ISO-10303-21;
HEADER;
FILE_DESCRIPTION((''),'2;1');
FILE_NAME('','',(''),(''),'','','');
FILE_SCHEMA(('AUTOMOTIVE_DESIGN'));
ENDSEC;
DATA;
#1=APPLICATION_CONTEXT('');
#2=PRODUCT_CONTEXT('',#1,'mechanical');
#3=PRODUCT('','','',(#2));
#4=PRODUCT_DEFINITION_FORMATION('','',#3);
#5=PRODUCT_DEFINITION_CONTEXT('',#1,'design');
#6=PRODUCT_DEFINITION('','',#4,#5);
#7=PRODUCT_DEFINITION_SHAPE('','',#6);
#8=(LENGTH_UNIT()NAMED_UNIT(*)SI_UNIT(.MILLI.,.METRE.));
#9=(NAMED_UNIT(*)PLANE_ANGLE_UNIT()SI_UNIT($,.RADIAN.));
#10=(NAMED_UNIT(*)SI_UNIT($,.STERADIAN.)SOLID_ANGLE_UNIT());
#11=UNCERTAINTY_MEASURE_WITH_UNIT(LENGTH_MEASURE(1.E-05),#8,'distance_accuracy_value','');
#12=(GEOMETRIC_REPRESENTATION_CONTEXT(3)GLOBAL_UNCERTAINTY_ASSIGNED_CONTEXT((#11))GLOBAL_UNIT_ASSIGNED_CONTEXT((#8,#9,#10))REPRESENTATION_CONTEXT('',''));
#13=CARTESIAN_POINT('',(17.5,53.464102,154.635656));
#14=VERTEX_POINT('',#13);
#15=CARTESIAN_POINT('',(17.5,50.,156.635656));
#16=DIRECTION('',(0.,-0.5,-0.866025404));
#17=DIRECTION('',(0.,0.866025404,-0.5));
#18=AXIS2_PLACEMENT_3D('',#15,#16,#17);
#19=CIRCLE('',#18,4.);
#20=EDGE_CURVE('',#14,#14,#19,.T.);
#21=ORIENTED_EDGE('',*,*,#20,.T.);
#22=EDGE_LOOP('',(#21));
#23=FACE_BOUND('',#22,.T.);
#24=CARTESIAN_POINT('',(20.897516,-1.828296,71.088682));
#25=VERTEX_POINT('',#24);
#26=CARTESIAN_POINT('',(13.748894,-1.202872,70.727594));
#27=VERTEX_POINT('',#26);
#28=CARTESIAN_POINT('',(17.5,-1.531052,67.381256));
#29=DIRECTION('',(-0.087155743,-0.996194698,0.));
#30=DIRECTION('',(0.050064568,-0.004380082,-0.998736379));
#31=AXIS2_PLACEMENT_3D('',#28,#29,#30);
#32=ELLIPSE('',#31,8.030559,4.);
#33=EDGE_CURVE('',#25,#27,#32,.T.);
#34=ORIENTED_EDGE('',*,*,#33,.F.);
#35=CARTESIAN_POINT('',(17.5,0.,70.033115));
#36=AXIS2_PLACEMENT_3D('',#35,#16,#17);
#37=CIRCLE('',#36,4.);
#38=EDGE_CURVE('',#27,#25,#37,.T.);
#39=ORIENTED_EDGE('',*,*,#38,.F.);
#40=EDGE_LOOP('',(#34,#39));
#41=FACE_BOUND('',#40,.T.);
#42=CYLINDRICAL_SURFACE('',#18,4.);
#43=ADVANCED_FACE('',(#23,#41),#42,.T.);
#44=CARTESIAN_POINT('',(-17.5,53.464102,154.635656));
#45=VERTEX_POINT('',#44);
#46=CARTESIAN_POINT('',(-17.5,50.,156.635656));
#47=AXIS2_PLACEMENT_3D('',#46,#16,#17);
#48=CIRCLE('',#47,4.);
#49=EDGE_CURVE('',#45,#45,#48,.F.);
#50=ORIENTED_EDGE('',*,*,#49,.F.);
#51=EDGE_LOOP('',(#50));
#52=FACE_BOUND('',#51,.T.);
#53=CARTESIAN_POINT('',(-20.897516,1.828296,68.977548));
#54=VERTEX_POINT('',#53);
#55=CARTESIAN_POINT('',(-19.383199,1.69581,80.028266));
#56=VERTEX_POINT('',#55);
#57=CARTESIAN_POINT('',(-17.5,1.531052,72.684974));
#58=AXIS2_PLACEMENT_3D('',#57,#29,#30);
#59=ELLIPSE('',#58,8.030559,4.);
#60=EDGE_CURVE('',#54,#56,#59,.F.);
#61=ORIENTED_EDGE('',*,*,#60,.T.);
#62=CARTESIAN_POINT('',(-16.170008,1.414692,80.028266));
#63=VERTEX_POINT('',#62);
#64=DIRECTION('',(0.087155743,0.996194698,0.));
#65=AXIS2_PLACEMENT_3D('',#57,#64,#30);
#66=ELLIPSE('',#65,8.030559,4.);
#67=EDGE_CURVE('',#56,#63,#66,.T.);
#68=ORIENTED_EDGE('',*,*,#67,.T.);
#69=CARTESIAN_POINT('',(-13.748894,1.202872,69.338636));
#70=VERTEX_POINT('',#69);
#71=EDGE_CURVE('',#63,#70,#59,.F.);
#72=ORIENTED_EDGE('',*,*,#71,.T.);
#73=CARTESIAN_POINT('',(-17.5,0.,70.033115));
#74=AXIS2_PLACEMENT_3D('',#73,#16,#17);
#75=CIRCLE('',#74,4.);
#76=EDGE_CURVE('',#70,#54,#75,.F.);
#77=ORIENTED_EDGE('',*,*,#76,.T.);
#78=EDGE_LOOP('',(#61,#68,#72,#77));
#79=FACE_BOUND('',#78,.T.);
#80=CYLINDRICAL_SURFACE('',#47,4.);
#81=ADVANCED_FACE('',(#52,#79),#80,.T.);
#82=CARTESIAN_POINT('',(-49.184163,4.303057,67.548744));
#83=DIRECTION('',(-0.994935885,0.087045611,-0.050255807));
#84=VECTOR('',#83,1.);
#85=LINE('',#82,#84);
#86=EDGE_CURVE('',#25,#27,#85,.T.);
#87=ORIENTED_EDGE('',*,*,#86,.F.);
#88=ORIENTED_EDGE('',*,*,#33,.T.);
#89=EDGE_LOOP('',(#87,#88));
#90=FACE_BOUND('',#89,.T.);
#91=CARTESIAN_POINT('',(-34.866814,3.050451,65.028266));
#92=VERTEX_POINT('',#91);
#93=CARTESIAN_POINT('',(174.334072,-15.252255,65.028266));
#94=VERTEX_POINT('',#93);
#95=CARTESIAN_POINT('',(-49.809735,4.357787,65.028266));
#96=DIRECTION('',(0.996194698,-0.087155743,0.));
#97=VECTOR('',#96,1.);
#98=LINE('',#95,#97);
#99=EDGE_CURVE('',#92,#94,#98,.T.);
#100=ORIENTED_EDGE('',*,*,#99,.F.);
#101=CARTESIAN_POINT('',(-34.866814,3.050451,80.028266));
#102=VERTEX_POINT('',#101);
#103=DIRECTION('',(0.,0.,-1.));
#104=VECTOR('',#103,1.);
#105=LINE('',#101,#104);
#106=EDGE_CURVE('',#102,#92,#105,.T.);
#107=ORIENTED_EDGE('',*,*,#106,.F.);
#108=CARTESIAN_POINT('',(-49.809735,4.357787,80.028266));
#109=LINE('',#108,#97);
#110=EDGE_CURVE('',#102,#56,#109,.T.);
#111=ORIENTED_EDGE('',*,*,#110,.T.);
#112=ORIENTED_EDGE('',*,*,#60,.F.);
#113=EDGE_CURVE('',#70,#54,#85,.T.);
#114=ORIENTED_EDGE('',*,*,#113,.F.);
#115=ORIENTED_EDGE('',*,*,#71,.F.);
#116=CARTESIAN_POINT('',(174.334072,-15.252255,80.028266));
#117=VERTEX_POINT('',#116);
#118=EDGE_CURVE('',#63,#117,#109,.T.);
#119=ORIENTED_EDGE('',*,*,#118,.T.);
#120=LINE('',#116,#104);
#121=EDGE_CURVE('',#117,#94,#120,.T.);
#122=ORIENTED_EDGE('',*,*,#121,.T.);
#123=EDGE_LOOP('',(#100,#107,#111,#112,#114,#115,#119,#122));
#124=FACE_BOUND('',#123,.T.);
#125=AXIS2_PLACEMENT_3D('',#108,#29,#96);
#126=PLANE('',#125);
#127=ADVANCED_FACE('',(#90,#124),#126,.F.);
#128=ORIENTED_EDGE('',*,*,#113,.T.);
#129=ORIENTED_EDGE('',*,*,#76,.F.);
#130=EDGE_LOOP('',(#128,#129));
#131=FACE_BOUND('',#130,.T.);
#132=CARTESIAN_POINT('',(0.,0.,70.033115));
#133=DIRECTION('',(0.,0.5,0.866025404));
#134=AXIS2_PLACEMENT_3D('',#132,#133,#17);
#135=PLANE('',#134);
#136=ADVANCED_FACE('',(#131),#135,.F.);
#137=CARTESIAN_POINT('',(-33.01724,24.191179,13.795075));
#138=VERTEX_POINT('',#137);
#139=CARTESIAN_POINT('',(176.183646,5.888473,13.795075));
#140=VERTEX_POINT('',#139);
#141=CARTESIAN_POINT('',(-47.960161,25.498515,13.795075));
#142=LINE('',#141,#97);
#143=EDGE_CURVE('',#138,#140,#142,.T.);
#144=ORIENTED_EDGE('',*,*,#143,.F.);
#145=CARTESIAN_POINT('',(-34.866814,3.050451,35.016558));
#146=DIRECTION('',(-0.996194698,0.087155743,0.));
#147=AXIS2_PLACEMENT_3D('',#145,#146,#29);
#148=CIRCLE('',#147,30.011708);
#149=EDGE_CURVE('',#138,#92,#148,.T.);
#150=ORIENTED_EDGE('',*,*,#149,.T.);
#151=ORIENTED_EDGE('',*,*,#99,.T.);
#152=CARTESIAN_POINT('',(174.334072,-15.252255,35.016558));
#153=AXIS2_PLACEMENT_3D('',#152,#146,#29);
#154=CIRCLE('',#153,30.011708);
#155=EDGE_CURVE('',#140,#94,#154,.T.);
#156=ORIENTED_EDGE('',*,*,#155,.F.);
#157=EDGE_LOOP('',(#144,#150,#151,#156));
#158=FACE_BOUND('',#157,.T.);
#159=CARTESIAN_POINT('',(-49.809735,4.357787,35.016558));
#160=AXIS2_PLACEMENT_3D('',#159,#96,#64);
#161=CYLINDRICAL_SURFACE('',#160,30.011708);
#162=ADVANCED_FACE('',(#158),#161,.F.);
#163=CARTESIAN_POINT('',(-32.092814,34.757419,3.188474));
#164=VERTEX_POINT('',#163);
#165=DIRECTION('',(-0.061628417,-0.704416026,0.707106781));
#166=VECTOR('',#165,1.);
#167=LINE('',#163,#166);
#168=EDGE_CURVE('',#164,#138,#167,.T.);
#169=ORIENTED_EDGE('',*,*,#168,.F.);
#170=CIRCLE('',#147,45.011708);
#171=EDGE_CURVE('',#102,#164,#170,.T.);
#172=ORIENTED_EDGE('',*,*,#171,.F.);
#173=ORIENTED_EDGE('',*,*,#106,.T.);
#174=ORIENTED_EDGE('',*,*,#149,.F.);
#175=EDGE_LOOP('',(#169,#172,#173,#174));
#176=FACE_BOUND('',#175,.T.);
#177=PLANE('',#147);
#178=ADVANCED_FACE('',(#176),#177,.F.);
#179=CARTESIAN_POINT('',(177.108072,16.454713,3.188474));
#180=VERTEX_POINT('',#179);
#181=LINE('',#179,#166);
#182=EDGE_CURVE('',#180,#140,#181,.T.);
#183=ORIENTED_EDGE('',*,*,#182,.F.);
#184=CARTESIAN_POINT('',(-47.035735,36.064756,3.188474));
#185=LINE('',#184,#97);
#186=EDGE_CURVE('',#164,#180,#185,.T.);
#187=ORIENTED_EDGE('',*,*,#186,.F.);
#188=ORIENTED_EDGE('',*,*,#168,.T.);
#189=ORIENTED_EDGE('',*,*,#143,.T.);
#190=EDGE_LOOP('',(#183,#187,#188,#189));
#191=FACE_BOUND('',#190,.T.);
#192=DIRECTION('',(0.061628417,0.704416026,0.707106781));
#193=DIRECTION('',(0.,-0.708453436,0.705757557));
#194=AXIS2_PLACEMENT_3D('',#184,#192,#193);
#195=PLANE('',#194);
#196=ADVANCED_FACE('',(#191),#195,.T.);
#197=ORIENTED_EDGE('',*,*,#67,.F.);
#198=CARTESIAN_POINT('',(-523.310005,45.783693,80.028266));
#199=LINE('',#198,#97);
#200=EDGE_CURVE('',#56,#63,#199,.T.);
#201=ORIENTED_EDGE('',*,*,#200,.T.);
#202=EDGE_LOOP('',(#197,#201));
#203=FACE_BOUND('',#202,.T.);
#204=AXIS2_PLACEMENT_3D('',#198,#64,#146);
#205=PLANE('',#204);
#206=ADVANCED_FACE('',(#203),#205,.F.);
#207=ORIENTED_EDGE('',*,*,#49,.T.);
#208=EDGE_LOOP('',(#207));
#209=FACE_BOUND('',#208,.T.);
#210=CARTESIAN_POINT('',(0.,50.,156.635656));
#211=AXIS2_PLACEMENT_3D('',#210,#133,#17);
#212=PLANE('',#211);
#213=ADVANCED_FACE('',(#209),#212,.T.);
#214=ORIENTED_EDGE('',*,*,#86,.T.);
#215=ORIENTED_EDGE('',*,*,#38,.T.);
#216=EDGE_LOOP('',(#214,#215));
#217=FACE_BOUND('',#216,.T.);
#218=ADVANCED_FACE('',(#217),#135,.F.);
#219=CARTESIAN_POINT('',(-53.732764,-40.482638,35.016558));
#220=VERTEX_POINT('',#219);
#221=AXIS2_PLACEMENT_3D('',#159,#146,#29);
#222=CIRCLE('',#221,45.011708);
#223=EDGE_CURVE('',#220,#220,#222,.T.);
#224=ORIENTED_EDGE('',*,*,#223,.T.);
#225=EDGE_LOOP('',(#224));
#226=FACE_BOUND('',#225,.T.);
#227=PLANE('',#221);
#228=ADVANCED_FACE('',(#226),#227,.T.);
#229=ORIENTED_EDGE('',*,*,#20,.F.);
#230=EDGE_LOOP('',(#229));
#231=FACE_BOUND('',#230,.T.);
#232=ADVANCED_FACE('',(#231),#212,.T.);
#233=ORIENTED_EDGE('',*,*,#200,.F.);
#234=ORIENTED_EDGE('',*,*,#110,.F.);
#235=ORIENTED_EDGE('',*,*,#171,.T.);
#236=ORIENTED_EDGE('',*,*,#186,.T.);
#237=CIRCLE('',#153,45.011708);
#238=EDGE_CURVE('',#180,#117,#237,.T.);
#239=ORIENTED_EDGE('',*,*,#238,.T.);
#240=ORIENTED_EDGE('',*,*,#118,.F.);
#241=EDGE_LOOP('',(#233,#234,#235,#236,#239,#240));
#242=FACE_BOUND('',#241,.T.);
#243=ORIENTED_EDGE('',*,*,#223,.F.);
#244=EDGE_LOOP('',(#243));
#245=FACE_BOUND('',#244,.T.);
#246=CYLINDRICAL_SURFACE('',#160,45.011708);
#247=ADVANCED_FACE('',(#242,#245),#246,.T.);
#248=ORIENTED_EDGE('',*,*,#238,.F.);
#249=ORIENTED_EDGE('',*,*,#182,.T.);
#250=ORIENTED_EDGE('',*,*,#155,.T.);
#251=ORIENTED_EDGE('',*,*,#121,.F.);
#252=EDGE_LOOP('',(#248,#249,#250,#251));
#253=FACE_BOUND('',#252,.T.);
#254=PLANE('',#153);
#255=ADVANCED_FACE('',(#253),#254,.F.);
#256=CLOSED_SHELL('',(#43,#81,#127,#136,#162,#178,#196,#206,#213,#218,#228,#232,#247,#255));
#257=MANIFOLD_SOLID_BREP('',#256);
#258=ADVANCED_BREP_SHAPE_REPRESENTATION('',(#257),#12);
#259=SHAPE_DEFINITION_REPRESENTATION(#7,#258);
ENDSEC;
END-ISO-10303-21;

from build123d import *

# Parameters (mm, degrees)
SKETCH2_R                = 4
BOSS_EXTRUDE1_DEPTH      = 100
BOSS_EXTRUDE1_2_DEPTH    = 100
BOSS_EXTRUDE3_DEPTH      = 50
BOSS_EXTRUDE3_DEPTH_BACK = 175
BOSS_EXTRUDE4_START      = -15
SKETCH5_R                = 45.011707972
BOSS_EXTRUDE4_DEPTH      = 15
SKETCH8_R                = 30.011707972
CUT_EXTRUDE1_DEPTH       = 210


with BuildPart() as part:
    # Sketch2 → Boss-Extrude1 (new body)
    with BuildSketch(Plane(origin=(0, 0, 0), x_dir=(-1, 0, 0), z_dir=(0, 0.499999999999998, -0.8660254037844398))):
        with Locations(Location((-17.5, 0, 0), (0, 0, 90))):
            Circle(SKETCH2_R)
    boss_extrude1 = extrude(amount=BOSS_EXTRUDE1_DEPTH)



with BuildPart() as body_2:
    # Sketch2 → Boss-Extrude1 2 (new body)
    with BuildSketch(Plane(origin=(0, 0, 0), x_dir=(-1, 0, 0), z_dir=(0, 0.499999999999998, -0.8660254037844398))):
        with Locations(Location((17.5, 0, 0), (0, 0, 90))):
            Circle(SKETCH2_R)
    boss_extrude1_2 = extrude(amount=BOSS_EXTRUDE1_2_DEPTH)


with BuildPart() as part_1:
    add(part.part)

    add(body_2.part)  # Boss-Extrude3 merges body 2
    # Sketch4 → Boss-Extrude3 (add, two sides: drawn at the far end of the back side and taken through both)
    with BuildSketch(Plane(origin=(0, 0, 0), x_dir=(0, 0, 1), z_dir=(-0.9961946980917461, 0.08715574274765156, 0)).offset(-BOSS_EXTRUDE3_DEPTH_BACK)):
        with BuildLine():
            Line((80.028265546, 0), (65.028265546, 0))
            ThreePointArc((65.028265546, 0), (23.531574155, -27.727202731), (13.795075351, 21.221482222))
            Line((13.795075351, 21.221482222), (3.188473633, 31.82808394))
            ThreePointArc((3.188473633, 31.82808394), (17.79132267, -41.585395719), (80.028265546, 0))
        make_face()
    extrude(amount=BOSS_EXTRUDE3_DEPTH + BOSS_EXTRUDE3_DEPTH_BACK)

    # Sketch5 → Boss-Extrude4 (add)
    with BuildSketch(Plane(origin=(-49.809734905, 4.357787137, 0), x_dir=(0, 0, 1), z_dir=(-0.9961946980917462, 0.08715574274765156, 0)).offset(BOSS_EXTRUDE4_START)):
        with Locations(Location((35.016557573, 0, 0), (0, 0, 135))):
            Circle(SKETCH5_R)
    extrude(amount=BOSS_EXTRUDE4_DEPTH)

    # Mirror2: Boss-Extrude1, Boss-Extrude1 2 across plane
    add(boss_extrude1.mirror(Plane(origin=(0, 0, 35.016557573), x_dir=(1, 0, 0), z_dir=(0, 0, -1))))
    add(boss_extrude1_2.mirror(Plane(origin=(0, 0, 35.016557573), x_dir=(1, 0, 0), z_dir=(0, 0, -1))))

    # Sketch8 → Cut-Extrude1 (cut)
    with BuildSketch(Plane(origin=(174.334072166, -15.252254981, 0), x_dir=(0, 0, -1), z_dir=(0.9961946980917462, -0.08715574274765156, 0))):
        with Locations((-35.016557573, 0)):
            Circle(SKETCH8_R)
        with BuildLine():
            Line((-80.028265546, 0), (-208.366954173, 0))
            ThreePointArc((-208.366954173, 0), (87.560683384, -122.577240957), (-35.016557573, 173.3503966))
            Line((-35.016557573, 173.3503966), (-35.016557573, 45.011707972))
            ThreePointArc((-35.016557573, 45.011707972), (-3.188473633, -31.82808394), (-80.028265546, 0))
        make_face()
    extrude(amount=-CUT_EXTRUDE1_DEPTH, mode=Mode.SUBTRACT)


solid = part_1.part
